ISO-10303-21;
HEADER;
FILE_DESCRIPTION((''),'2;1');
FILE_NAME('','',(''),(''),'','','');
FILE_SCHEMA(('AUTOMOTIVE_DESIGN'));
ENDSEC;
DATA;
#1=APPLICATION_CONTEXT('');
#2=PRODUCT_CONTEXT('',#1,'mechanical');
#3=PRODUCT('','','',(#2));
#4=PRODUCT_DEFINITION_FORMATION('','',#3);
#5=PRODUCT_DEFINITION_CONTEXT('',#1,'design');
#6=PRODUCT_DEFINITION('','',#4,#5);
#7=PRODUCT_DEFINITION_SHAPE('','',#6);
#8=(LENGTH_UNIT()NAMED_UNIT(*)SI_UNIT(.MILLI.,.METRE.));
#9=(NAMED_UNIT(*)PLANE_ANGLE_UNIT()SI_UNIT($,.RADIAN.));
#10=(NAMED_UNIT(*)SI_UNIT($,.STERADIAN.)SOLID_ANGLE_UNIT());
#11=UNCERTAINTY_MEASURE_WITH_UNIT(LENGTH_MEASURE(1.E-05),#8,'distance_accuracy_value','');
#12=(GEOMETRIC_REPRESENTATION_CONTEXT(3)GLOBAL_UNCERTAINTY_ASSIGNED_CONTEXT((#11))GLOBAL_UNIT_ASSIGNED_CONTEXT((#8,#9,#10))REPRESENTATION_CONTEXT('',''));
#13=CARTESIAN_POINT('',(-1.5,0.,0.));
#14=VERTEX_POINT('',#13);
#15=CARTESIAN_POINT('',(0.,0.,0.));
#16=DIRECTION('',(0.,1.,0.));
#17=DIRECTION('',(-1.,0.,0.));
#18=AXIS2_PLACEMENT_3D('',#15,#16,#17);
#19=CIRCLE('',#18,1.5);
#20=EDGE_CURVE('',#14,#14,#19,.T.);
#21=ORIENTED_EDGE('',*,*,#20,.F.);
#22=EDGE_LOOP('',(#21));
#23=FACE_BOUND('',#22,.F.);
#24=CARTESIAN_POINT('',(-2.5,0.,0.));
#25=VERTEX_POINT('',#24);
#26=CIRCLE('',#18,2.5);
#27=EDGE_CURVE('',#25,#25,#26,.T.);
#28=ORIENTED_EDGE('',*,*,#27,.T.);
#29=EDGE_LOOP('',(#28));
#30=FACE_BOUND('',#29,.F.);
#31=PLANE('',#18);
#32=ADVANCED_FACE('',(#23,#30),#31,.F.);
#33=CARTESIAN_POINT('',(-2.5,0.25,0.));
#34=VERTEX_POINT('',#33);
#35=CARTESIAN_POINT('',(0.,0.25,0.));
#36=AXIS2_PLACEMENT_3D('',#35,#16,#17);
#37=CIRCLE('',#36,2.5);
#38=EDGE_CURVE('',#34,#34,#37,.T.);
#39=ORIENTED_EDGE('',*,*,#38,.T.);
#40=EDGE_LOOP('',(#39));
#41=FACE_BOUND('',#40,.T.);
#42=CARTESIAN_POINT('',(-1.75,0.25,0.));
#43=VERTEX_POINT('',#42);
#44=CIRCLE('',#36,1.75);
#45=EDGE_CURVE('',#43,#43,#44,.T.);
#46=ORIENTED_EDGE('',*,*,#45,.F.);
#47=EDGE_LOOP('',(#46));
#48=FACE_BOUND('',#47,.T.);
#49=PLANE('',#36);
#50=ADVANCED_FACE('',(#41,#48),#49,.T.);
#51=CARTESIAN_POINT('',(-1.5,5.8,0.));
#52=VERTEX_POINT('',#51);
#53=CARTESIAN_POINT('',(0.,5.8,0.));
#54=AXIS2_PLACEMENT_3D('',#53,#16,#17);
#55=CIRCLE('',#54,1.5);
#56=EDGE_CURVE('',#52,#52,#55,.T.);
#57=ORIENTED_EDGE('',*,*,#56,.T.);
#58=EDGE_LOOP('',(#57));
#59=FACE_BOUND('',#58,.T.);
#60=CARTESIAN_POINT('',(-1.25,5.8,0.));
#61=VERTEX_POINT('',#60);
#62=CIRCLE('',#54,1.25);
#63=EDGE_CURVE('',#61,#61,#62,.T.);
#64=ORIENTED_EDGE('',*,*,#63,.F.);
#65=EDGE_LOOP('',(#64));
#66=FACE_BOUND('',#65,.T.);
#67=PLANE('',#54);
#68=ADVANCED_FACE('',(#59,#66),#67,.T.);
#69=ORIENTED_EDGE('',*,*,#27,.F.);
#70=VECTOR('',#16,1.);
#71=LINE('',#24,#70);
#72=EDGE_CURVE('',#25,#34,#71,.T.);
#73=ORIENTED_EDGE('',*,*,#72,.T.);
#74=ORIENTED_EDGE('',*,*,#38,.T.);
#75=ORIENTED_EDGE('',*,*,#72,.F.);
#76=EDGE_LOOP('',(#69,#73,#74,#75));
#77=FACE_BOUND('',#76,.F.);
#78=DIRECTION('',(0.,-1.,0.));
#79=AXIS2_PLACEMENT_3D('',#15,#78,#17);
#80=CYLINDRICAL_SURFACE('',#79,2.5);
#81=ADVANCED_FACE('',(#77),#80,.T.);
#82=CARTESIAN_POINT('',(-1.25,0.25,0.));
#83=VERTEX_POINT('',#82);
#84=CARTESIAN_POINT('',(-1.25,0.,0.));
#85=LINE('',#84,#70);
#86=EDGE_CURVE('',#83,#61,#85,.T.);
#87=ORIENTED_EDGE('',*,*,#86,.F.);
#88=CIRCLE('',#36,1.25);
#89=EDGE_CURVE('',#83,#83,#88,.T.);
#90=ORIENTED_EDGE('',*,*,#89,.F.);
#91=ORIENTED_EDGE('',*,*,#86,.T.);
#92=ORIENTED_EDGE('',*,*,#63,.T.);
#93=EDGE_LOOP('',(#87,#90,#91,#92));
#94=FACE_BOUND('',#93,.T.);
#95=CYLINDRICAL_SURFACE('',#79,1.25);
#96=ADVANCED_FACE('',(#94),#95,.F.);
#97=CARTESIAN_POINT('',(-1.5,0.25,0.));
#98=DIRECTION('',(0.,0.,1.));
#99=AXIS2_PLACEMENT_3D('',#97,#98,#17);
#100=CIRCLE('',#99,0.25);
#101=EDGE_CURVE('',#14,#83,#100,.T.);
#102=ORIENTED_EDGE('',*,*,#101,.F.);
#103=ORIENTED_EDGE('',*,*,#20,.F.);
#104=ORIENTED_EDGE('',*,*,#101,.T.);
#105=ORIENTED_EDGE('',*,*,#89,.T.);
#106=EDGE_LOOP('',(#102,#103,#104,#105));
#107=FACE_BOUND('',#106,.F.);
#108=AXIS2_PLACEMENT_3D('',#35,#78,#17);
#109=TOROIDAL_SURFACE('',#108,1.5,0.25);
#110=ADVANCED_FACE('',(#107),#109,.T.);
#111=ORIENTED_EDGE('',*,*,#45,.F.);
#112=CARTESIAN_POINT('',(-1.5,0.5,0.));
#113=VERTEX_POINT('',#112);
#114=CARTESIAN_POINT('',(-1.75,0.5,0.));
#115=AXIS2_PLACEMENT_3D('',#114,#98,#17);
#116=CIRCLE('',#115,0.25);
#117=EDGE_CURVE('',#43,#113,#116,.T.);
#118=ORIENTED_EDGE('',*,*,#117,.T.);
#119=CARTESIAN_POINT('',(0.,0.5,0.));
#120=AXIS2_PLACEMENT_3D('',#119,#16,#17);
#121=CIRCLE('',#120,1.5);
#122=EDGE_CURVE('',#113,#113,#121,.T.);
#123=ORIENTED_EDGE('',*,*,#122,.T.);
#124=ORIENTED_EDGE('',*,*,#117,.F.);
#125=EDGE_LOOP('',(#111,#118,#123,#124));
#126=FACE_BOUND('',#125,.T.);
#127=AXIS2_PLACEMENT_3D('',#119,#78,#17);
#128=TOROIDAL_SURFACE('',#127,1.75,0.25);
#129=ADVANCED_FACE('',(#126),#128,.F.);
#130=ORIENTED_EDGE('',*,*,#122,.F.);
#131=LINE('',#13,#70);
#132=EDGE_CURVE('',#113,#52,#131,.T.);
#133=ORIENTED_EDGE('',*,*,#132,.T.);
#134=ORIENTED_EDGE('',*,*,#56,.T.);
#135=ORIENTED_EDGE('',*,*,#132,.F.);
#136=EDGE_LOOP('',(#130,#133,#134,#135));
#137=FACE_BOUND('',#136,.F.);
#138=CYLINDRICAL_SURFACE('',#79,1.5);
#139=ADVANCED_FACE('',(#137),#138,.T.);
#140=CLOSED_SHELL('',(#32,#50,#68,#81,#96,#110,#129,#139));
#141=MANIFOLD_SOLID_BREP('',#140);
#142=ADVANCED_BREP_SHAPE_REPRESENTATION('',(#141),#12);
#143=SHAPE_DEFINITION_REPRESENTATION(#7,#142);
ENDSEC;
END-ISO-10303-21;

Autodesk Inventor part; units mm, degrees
ref_plane "YZ Plane" through (0, 0, 0) normal (1, 0, 0) x (0, 1, 0)
ref_plane "XZ Plane" through (0, 0, 0) normal (0, 1, 0) x (-1, 0, 0)
ref_plane "XY Plane" through (0, 0, 0) normal (0, 0, 1) x (1, 0, 0)
sketch "Sketch1" plane through (0, 0, 0) normal (0, 1, 0) x (-1, 0, 0)
  circle A0 centre (0, 0) radius 2.5
  circle A1 centre (0, 0) radius 1.5
  circle A2 centre (0, 0) radius 1.25
  dimension "d0" = 5
  dimension "d1" = 3
  dimension "d2" = 2.5
extrude "Extrusion1" add sketch "Sketch1" along normal blind 0.25 contours A0
extrude "Extrusion2" add sketch "Sketch1" along normal blind 5.8 contours A1
fillet "Fillet1" radius 0.25 2 edges at (1.5, 0.25, 0) (1.25, 0, 0)
properties part number "MMAE 232 CAD Assignment 2 Brass Sleeve-Nicholas Skiba"
